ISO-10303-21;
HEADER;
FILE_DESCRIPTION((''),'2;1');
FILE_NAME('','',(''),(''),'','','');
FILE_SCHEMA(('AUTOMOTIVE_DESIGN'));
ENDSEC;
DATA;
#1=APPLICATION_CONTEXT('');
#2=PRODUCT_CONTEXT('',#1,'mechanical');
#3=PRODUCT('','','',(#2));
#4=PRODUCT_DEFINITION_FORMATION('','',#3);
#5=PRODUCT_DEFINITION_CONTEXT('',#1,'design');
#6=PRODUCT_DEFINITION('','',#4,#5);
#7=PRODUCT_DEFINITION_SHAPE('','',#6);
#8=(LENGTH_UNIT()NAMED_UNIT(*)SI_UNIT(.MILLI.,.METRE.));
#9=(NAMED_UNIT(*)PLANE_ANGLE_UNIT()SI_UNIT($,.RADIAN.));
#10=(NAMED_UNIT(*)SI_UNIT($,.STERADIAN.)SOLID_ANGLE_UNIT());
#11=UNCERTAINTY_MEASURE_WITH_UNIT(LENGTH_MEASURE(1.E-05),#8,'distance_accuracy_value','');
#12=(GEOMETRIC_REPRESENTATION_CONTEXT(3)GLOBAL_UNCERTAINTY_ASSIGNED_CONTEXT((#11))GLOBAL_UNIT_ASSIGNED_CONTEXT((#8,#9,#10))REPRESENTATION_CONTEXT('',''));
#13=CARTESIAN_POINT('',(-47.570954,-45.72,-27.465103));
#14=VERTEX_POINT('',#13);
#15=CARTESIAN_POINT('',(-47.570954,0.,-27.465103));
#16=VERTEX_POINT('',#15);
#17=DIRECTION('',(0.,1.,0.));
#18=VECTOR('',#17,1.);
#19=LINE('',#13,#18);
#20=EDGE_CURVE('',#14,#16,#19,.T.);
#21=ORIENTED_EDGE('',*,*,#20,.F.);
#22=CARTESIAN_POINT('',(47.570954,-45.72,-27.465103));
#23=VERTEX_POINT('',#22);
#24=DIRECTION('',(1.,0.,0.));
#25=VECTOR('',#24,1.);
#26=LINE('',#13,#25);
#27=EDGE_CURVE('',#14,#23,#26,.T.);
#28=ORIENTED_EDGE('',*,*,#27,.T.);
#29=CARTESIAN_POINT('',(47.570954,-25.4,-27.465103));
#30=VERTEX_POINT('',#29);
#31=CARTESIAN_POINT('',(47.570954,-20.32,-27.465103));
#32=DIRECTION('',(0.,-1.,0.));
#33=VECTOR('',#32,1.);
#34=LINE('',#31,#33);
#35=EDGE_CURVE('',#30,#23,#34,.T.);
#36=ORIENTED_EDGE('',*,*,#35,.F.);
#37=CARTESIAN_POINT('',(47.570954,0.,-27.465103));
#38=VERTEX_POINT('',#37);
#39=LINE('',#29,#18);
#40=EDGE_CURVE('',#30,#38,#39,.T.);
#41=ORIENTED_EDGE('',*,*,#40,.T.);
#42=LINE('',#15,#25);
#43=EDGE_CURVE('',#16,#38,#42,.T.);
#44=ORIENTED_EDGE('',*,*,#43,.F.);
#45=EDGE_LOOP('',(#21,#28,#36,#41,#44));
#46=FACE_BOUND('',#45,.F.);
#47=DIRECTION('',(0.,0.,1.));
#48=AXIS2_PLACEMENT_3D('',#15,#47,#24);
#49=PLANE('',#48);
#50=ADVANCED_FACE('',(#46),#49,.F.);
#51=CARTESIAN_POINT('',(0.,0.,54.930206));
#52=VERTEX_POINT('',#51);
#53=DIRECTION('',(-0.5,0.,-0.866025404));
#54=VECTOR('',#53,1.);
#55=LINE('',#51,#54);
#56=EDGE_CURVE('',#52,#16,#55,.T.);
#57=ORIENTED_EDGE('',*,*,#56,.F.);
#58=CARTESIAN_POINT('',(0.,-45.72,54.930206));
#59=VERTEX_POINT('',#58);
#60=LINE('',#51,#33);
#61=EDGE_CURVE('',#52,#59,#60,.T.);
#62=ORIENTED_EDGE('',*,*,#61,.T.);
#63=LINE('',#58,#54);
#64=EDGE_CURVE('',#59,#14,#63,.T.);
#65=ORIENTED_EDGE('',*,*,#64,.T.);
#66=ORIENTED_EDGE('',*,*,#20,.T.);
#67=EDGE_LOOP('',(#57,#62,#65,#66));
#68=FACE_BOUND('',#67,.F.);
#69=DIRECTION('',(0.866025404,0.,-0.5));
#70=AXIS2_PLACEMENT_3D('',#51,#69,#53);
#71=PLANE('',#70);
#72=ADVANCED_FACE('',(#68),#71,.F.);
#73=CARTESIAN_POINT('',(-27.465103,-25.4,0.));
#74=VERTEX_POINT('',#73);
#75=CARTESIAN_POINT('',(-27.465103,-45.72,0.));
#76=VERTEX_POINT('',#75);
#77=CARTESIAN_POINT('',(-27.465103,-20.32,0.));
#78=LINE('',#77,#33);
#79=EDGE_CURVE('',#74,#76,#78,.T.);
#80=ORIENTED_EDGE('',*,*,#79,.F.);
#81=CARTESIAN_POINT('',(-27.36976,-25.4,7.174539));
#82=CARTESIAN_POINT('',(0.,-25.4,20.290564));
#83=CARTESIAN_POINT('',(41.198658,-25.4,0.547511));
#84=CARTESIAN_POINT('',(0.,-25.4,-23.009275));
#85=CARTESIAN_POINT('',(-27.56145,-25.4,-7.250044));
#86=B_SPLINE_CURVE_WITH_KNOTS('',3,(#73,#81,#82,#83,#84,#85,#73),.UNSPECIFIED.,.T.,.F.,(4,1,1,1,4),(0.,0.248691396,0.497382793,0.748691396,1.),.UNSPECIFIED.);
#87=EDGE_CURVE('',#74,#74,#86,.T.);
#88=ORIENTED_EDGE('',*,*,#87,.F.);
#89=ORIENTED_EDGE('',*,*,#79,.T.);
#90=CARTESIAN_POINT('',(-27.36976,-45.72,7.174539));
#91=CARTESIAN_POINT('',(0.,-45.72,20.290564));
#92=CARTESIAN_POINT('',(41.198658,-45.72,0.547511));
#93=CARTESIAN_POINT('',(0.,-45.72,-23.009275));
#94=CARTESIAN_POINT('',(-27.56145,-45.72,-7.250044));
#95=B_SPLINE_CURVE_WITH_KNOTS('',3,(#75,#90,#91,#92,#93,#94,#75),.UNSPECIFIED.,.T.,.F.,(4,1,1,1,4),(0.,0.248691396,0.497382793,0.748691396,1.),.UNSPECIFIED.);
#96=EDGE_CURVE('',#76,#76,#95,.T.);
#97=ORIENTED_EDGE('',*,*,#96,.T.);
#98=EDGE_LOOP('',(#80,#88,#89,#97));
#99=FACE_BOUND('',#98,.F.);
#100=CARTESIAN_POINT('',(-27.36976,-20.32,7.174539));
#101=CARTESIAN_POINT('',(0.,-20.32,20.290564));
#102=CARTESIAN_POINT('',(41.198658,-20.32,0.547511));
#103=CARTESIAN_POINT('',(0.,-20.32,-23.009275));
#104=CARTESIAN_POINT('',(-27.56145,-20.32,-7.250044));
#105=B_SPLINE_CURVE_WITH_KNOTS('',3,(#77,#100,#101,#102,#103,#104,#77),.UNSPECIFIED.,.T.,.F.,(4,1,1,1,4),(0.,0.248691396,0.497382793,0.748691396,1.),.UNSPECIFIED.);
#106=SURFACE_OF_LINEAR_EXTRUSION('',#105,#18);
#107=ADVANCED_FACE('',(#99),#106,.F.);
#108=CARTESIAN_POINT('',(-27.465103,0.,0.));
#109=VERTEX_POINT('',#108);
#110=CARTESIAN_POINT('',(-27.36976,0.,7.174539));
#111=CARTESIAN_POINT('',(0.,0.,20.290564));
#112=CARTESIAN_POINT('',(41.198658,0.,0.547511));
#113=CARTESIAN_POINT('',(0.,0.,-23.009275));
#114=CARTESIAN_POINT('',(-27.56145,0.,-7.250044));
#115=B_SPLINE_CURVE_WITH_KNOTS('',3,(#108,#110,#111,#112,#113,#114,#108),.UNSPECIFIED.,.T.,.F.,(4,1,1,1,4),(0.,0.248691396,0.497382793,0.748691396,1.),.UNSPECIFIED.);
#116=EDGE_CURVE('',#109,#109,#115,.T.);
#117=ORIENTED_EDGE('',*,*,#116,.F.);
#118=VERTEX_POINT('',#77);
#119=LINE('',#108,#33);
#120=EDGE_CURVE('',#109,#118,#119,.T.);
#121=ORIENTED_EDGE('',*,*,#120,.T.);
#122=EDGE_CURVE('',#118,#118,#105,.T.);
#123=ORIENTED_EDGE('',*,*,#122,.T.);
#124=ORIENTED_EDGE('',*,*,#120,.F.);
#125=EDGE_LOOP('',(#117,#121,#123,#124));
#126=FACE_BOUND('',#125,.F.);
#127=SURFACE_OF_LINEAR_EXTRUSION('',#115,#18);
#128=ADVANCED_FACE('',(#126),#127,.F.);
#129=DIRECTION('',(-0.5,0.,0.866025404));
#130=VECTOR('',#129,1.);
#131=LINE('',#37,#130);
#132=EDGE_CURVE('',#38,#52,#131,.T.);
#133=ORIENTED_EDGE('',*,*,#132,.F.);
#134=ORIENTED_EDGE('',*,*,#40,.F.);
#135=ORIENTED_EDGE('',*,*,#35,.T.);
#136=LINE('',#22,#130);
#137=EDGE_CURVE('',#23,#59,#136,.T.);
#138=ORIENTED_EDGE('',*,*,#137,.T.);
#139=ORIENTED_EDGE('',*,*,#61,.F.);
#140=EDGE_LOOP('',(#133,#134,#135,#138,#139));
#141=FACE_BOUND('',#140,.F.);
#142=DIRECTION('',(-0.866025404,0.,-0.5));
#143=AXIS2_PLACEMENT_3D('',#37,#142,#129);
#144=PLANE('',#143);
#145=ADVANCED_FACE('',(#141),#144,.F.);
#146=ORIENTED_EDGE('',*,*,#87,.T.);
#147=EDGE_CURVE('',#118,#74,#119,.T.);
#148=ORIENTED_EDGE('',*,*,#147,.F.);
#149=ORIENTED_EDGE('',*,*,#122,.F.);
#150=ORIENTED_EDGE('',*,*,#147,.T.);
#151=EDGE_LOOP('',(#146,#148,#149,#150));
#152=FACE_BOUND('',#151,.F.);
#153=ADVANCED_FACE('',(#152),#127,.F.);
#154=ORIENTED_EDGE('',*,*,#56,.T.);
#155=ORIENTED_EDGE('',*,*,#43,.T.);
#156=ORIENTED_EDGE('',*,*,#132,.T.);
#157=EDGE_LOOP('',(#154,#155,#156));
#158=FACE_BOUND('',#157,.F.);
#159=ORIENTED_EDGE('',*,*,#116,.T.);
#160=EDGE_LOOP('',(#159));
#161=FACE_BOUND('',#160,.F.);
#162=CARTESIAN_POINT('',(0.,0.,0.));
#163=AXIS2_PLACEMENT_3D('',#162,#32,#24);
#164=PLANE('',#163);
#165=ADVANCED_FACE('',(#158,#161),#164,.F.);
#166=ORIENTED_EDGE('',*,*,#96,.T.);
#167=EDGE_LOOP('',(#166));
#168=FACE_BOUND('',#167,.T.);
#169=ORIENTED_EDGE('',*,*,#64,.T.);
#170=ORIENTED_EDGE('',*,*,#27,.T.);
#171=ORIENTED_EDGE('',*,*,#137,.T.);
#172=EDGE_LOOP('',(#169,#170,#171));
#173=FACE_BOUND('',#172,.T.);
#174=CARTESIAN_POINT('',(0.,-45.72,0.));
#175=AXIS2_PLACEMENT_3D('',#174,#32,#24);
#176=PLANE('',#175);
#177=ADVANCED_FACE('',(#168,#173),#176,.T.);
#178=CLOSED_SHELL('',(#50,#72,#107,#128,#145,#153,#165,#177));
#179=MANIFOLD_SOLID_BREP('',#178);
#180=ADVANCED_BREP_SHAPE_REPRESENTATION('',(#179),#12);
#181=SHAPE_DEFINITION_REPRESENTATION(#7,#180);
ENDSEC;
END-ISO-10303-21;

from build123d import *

# Parameters (mm, degrees)
F1_DEPTH = 20.32
F2_DEPTH = 25.4


with BuildPart() as f1:
    # F0 (on Front) → F1 (new body)
    with BuildSketch(Plane.XZ):
        Polygon((47.5709541673, -27.4651031941), (0, 54.9302063882), (-47.5709541673, -27.4651031941), align=None)
        with BuildLine():
            add(Edge.make_bspline(
                [(-27.4651031941, 0), (-27.3697597672, 7.1745393947), (0, 20.2905637994), (41.1986581774, 0.5475112228), (0, -23.009275005), (-27.5614500072, -7.2500436448), (-27.4651031941, 0)],
                knots=[0, 0, 0, 0, 0.2486913963, 0.4973827926, 0.7486913963, 1, 1, 1, 1], degree=3))
        make_face(mode=Mode.SUBTRACT)
    extrude(amount=F1_DEPTH)

    # F0 (on Front) + F1_face (on face) → F2 (join)
    with BuildSketch(Plane.XZ):
        Polygon((47.5709541673, -27.4651031941), (0, 54.9302063882), (-47.5709541673, -27.4651031941), align=None)
        with BuildLine():
            add(Edge.make_bspline(
                [(-27.4651031941, 0), (-27.3697597672, 7.1745393947), (0, 20.2905637994), (41.1986581774, 0.5475112228), (0, -23.009275005), (-27.5614500072, -7.2500436448), (-27.4651031941, 0)],
                knots=[0, 0, 0, 0, 0.2486913963, 0.4973827926, 0.7486913963, 1, 1, 1, 1], degree=3))
        make_face(mode=Mode.SUBTRACT)
    with BuildSketch(Plane(origin=(-0.0019370848, -20.32, 0.239959429), x_dir=(1, 0, 0), z_dir=(0, -1, 0))):
        Polygon((-47.5690170825, -27.7050626231), (47.5728912522, -27.7050626231), (0.0019370848, 54.6902469592), align=None)
        with BuildLine():
            add(Edge.make_bspline(
                [(-27.4631661093, -0.239959429), (-27.3678226824, 6.9345799657), (0.0019370848, 20.0506043704), (41.2005952622, 0.3075517938), (0.0019370848, -23.249234434), (-27.5595129224, -7.4900030738), (-27.4631661093, -0.239959429)],
                knots=[0, 0, 0, 0, 0.2486913963, 0.4973827926, 0.7486913963, 1, 1, 1, 1], degree=3))
        make_face(mode=Mode.SUBTRACT)
    extrude(amount=F2_DEPTH)


solid = f1.part
